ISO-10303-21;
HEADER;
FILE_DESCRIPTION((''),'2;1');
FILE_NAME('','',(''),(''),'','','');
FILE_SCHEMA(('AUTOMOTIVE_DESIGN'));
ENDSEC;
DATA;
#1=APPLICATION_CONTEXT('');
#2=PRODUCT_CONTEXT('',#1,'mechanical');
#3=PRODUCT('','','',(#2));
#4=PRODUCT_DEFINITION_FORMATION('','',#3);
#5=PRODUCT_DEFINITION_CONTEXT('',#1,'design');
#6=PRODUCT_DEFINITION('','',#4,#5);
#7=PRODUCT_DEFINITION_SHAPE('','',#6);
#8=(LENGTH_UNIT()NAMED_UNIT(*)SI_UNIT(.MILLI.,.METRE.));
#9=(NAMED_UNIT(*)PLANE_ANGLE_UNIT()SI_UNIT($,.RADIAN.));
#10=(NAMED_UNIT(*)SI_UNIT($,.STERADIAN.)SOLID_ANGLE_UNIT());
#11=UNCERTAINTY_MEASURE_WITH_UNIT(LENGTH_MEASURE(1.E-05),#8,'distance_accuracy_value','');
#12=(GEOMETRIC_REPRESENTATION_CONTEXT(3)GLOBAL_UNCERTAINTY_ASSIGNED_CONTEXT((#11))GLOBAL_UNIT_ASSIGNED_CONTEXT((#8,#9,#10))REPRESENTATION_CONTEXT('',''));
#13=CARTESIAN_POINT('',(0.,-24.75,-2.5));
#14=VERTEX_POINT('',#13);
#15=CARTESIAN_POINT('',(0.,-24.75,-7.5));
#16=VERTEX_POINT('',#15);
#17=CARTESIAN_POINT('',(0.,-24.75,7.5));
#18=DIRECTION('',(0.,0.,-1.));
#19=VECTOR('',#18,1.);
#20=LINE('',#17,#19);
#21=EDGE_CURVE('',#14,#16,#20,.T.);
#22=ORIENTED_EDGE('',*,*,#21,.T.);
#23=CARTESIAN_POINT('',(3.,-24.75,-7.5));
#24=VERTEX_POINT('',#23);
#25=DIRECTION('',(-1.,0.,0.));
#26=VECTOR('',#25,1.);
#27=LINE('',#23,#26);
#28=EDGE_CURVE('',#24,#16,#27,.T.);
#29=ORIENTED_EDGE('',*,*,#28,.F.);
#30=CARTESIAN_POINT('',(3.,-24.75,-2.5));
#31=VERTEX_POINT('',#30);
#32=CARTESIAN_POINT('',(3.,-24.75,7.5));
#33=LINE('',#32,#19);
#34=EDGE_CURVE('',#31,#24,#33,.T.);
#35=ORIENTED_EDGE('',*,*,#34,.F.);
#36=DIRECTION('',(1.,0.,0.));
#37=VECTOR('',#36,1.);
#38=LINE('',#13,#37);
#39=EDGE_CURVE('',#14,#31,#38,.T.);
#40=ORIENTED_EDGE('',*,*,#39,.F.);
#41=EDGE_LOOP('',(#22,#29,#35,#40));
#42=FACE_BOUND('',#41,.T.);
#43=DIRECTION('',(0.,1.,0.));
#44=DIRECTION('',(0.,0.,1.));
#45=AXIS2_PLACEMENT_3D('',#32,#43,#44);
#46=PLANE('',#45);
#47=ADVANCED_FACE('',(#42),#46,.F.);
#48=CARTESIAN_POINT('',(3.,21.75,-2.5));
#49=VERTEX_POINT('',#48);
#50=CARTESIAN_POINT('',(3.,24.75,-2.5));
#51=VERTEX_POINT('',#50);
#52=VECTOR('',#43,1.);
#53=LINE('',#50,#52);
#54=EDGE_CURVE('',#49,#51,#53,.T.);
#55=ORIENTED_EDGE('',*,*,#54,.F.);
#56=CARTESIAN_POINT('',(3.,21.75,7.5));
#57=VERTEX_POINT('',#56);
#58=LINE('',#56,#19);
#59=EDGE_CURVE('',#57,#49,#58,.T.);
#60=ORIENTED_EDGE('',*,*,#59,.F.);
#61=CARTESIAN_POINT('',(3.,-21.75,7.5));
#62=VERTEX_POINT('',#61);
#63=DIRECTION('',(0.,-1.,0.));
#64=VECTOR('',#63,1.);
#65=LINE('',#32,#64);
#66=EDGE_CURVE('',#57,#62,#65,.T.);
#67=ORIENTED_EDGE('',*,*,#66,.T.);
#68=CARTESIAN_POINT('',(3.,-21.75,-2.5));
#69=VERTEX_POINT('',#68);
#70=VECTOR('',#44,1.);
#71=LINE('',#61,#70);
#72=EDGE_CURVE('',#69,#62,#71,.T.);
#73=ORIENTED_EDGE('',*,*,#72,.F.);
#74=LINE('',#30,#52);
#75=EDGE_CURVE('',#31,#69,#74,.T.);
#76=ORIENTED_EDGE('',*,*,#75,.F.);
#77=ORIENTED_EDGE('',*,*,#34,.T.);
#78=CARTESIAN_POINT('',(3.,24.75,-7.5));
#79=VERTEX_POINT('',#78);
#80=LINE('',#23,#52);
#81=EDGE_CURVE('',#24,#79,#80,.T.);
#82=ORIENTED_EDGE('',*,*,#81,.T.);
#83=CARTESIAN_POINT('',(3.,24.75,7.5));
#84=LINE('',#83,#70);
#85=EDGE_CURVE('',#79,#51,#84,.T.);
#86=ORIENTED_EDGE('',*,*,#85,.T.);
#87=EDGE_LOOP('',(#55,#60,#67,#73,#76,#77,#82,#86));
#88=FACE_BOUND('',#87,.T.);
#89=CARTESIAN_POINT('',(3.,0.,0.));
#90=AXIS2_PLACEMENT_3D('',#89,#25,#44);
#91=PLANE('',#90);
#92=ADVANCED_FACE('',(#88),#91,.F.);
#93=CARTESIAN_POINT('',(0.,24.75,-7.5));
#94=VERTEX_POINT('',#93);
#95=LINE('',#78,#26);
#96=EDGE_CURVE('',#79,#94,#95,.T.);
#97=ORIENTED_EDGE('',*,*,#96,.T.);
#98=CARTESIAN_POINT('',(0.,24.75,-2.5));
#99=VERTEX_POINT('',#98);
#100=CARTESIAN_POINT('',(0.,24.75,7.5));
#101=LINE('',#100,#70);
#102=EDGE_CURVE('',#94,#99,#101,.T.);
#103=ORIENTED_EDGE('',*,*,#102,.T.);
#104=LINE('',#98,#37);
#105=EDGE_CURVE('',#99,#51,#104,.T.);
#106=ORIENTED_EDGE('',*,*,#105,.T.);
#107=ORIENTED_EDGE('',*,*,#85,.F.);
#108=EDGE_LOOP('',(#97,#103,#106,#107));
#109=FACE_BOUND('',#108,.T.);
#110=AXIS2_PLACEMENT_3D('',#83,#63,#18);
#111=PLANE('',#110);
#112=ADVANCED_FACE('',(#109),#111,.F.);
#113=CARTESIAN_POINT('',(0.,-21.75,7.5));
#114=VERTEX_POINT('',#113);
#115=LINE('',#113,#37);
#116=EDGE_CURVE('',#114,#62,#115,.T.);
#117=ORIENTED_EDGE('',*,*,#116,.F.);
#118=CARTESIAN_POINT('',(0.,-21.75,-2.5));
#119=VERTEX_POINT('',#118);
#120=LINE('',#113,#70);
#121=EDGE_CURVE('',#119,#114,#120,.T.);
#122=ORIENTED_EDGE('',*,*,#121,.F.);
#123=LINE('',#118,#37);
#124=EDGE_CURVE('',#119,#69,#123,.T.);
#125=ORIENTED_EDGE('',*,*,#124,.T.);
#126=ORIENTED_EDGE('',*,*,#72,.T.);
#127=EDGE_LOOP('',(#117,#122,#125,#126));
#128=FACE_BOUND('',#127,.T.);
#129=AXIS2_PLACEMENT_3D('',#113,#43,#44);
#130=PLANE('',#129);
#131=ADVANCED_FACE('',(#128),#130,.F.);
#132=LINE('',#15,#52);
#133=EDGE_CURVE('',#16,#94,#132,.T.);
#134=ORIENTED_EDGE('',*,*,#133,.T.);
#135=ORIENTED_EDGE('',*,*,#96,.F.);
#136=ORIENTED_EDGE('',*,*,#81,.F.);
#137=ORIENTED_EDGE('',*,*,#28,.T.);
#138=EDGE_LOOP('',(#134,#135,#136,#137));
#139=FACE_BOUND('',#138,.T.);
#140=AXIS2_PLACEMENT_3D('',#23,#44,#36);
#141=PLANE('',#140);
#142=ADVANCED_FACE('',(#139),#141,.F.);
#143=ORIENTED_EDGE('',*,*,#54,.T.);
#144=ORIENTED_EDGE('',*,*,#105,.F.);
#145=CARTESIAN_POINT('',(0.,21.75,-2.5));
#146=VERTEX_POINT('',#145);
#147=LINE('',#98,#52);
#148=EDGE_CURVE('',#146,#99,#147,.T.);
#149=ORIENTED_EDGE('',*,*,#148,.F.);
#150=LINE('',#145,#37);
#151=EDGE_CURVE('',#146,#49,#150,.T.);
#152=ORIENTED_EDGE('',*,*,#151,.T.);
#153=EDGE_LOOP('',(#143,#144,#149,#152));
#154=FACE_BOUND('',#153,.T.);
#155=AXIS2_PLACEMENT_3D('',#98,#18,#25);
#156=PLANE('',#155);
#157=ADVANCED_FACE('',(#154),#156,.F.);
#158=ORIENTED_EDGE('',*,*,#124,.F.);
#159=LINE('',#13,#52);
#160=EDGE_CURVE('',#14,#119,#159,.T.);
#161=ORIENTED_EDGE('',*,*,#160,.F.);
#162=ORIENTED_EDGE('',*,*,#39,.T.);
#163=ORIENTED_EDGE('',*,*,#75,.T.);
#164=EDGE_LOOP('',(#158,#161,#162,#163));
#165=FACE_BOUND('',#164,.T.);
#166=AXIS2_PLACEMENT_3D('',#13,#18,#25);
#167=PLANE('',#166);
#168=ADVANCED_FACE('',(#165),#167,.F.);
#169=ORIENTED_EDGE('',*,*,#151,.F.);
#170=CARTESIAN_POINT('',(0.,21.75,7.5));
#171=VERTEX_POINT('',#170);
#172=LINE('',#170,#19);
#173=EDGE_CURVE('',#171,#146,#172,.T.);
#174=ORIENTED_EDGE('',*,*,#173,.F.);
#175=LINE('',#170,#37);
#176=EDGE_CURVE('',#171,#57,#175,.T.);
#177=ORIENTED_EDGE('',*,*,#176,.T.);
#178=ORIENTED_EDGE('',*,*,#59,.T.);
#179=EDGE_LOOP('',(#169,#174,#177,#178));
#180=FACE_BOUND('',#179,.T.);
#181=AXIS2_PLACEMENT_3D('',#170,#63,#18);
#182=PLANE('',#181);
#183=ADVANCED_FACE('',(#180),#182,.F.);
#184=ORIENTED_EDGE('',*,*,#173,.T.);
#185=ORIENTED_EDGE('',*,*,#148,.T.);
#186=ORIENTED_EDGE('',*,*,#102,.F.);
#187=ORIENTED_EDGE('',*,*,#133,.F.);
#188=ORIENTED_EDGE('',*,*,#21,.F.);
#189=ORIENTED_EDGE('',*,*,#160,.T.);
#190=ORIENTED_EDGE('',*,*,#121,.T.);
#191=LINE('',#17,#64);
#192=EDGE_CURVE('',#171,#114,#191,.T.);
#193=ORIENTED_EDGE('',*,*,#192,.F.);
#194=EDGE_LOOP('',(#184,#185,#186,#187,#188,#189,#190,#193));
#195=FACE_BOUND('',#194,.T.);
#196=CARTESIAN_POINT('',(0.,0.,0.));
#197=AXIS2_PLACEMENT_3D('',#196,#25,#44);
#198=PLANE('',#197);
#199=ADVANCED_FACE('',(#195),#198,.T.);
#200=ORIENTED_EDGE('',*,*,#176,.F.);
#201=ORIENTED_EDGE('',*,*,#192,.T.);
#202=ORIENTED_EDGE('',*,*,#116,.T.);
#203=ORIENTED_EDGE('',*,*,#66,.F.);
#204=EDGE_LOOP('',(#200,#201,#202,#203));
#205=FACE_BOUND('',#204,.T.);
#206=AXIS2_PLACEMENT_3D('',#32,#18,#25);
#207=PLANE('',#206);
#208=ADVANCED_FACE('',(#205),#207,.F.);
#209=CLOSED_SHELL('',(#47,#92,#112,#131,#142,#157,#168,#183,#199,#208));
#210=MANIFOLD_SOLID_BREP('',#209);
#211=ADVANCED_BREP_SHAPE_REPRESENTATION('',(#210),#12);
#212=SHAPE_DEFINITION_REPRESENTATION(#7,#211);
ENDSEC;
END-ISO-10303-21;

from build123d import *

# Parameters (mm, degrees)
SKETCH1_W           = 15
SKETCH1_H           = 49.5
BOSS_EXTRUDE1_DEPTH = 3
SKETCH2_W           = 10
SKETCH2_H           = 3
CUT_EXTRUDE1_DEPTH  = 27.034832437


with BuildPart() as part:
    # Sketch1 → Boss-Extrude1 (new body)
    with BuildSketch(Plane(origin=(0, 0, 0), x_dir=(0, 0, -1), z_dir=(1, 0, 0))):
        Rectangle(SKETCH1_W, SKETCH1_H)
    extrude(amount=BOSS_EXTRUDE1_DEPTH)

    # Sketch2 → Cut-Extrude1 (cut, through all)
    with BuildSketch(Plane(origin=(3, 0, 0), x_dir=(0, 0, -1), z_dir=(1, 0, 0))):
        with Locations((-2.5, 23.25)):
            Rectangle(SKETCH2_W, SKETCH2_H)
        with Locations((-2.5, -23.25)):
            Rectangle(SKETCH2_W, SKETCH2_H)
    extrude(amount=-CUT_EXTRUDE1_DEPTH, mode=Mode.SUBTRACT)


solid = part.part
